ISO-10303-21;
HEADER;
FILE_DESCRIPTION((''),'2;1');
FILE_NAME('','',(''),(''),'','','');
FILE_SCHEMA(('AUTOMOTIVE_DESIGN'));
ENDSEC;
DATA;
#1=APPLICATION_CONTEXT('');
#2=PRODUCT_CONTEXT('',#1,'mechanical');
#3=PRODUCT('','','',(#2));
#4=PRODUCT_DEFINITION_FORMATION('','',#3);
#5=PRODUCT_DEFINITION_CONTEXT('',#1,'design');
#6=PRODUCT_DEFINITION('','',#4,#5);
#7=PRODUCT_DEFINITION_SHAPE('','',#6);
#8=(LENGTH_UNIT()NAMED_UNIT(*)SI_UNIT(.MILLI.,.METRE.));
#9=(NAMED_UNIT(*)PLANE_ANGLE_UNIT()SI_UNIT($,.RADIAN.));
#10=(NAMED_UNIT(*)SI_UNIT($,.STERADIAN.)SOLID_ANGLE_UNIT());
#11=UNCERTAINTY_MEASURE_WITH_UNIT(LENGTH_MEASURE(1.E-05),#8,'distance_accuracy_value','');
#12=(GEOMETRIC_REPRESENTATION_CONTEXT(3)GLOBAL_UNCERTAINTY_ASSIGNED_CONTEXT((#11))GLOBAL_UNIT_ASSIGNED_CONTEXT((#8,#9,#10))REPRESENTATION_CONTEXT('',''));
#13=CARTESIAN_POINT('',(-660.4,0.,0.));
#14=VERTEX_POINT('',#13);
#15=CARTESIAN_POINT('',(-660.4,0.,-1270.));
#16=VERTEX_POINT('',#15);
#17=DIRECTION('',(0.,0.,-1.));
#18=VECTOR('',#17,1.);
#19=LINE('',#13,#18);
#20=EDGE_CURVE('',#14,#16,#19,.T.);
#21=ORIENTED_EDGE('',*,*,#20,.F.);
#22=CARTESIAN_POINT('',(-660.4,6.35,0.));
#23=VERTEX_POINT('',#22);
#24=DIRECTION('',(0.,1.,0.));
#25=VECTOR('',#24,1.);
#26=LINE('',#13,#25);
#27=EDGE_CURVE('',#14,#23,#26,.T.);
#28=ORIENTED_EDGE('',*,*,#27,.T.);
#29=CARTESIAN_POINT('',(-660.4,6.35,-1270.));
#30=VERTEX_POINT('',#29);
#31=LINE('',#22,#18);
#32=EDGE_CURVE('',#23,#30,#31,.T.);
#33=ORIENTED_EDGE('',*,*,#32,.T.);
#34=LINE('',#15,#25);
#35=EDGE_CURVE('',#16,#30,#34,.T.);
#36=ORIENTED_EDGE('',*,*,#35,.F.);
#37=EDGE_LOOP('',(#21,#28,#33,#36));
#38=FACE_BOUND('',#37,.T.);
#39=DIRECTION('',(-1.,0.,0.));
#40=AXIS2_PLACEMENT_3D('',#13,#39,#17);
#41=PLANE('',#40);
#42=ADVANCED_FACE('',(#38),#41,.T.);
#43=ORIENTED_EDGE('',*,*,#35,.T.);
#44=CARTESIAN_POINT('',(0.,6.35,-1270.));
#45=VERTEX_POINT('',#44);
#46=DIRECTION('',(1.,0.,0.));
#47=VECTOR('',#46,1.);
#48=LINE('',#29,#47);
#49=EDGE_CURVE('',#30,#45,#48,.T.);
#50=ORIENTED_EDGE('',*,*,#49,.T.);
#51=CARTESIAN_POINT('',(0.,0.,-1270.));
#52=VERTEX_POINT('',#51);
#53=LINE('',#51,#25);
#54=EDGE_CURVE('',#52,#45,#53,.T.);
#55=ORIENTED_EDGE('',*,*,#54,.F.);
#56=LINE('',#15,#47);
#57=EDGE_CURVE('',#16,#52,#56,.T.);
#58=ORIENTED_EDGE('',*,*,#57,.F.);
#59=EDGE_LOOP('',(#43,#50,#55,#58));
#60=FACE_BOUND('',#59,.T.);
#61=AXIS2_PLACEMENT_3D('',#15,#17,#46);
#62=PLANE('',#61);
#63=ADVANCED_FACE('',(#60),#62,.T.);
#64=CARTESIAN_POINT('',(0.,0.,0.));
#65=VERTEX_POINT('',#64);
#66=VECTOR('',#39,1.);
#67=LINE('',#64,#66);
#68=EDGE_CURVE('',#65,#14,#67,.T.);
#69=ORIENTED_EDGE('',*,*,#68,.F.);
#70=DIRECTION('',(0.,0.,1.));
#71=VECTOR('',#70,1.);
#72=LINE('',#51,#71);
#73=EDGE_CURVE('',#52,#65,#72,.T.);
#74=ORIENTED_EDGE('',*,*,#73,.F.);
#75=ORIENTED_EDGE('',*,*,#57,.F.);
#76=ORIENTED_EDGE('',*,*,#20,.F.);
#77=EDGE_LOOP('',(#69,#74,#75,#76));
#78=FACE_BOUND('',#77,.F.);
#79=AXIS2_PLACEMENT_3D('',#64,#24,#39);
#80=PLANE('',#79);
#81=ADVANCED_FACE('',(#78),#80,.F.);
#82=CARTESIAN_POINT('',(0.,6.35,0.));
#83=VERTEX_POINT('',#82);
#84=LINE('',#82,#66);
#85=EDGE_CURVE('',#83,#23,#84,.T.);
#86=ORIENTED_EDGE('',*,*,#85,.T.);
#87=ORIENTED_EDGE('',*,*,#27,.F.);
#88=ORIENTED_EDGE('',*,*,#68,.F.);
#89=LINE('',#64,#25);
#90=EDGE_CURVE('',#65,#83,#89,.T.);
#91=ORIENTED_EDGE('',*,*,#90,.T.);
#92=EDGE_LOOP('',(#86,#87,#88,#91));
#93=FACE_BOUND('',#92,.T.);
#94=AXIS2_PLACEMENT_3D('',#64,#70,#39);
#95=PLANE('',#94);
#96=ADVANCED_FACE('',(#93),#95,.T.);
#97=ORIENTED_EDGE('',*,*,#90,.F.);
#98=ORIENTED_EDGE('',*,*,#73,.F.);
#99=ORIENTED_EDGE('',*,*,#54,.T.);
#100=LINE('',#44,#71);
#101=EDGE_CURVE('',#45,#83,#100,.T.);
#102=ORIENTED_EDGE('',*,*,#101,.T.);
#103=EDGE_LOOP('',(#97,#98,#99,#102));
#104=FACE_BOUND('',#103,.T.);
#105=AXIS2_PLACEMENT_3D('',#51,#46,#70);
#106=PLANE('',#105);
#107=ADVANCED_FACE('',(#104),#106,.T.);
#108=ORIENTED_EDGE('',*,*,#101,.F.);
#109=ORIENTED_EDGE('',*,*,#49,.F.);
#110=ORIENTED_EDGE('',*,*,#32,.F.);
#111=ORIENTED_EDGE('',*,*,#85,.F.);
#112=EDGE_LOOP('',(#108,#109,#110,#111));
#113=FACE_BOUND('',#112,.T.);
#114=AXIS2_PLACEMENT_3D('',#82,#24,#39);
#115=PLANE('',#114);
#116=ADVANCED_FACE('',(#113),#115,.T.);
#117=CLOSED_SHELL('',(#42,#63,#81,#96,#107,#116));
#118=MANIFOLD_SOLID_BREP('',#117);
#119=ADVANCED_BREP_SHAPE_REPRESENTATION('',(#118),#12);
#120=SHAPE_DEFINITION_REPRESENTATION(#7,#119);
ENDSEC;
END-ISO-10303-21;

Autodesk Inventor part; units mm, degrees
ref_plane "YZ Plane" through (0, 0, 0) normal (1, 0, 0) x (0, 1, 0)
ref_plane "XZ Plane" through (0, 0, 0) normal (0, 1, 0) x (-1, 0, 0)
ref_plane "XY Plane" through (0, 0, 0) normal (0, 0, 1) x (1, 0, 0)
sketch "Sketch1" plane through (0, 0, 0) normal (0, 1, 0) x (-1, 0, 0)
  line L0 (0, 0) -> (660.4, 0)
  line L1 (660.4, 0) -> (660.4, -1270)
  line L2 (660.4, -1270) -> (0, -1270)
  line L3 (0, -1270) -> (0, 0)
  dimension "d0" = 660.4
  dimension "d1" = 1270
extrude "Extrusion1" add sketch "Sketch1" along normal blind 6.35
properties part number "Glass" material "Glass"
